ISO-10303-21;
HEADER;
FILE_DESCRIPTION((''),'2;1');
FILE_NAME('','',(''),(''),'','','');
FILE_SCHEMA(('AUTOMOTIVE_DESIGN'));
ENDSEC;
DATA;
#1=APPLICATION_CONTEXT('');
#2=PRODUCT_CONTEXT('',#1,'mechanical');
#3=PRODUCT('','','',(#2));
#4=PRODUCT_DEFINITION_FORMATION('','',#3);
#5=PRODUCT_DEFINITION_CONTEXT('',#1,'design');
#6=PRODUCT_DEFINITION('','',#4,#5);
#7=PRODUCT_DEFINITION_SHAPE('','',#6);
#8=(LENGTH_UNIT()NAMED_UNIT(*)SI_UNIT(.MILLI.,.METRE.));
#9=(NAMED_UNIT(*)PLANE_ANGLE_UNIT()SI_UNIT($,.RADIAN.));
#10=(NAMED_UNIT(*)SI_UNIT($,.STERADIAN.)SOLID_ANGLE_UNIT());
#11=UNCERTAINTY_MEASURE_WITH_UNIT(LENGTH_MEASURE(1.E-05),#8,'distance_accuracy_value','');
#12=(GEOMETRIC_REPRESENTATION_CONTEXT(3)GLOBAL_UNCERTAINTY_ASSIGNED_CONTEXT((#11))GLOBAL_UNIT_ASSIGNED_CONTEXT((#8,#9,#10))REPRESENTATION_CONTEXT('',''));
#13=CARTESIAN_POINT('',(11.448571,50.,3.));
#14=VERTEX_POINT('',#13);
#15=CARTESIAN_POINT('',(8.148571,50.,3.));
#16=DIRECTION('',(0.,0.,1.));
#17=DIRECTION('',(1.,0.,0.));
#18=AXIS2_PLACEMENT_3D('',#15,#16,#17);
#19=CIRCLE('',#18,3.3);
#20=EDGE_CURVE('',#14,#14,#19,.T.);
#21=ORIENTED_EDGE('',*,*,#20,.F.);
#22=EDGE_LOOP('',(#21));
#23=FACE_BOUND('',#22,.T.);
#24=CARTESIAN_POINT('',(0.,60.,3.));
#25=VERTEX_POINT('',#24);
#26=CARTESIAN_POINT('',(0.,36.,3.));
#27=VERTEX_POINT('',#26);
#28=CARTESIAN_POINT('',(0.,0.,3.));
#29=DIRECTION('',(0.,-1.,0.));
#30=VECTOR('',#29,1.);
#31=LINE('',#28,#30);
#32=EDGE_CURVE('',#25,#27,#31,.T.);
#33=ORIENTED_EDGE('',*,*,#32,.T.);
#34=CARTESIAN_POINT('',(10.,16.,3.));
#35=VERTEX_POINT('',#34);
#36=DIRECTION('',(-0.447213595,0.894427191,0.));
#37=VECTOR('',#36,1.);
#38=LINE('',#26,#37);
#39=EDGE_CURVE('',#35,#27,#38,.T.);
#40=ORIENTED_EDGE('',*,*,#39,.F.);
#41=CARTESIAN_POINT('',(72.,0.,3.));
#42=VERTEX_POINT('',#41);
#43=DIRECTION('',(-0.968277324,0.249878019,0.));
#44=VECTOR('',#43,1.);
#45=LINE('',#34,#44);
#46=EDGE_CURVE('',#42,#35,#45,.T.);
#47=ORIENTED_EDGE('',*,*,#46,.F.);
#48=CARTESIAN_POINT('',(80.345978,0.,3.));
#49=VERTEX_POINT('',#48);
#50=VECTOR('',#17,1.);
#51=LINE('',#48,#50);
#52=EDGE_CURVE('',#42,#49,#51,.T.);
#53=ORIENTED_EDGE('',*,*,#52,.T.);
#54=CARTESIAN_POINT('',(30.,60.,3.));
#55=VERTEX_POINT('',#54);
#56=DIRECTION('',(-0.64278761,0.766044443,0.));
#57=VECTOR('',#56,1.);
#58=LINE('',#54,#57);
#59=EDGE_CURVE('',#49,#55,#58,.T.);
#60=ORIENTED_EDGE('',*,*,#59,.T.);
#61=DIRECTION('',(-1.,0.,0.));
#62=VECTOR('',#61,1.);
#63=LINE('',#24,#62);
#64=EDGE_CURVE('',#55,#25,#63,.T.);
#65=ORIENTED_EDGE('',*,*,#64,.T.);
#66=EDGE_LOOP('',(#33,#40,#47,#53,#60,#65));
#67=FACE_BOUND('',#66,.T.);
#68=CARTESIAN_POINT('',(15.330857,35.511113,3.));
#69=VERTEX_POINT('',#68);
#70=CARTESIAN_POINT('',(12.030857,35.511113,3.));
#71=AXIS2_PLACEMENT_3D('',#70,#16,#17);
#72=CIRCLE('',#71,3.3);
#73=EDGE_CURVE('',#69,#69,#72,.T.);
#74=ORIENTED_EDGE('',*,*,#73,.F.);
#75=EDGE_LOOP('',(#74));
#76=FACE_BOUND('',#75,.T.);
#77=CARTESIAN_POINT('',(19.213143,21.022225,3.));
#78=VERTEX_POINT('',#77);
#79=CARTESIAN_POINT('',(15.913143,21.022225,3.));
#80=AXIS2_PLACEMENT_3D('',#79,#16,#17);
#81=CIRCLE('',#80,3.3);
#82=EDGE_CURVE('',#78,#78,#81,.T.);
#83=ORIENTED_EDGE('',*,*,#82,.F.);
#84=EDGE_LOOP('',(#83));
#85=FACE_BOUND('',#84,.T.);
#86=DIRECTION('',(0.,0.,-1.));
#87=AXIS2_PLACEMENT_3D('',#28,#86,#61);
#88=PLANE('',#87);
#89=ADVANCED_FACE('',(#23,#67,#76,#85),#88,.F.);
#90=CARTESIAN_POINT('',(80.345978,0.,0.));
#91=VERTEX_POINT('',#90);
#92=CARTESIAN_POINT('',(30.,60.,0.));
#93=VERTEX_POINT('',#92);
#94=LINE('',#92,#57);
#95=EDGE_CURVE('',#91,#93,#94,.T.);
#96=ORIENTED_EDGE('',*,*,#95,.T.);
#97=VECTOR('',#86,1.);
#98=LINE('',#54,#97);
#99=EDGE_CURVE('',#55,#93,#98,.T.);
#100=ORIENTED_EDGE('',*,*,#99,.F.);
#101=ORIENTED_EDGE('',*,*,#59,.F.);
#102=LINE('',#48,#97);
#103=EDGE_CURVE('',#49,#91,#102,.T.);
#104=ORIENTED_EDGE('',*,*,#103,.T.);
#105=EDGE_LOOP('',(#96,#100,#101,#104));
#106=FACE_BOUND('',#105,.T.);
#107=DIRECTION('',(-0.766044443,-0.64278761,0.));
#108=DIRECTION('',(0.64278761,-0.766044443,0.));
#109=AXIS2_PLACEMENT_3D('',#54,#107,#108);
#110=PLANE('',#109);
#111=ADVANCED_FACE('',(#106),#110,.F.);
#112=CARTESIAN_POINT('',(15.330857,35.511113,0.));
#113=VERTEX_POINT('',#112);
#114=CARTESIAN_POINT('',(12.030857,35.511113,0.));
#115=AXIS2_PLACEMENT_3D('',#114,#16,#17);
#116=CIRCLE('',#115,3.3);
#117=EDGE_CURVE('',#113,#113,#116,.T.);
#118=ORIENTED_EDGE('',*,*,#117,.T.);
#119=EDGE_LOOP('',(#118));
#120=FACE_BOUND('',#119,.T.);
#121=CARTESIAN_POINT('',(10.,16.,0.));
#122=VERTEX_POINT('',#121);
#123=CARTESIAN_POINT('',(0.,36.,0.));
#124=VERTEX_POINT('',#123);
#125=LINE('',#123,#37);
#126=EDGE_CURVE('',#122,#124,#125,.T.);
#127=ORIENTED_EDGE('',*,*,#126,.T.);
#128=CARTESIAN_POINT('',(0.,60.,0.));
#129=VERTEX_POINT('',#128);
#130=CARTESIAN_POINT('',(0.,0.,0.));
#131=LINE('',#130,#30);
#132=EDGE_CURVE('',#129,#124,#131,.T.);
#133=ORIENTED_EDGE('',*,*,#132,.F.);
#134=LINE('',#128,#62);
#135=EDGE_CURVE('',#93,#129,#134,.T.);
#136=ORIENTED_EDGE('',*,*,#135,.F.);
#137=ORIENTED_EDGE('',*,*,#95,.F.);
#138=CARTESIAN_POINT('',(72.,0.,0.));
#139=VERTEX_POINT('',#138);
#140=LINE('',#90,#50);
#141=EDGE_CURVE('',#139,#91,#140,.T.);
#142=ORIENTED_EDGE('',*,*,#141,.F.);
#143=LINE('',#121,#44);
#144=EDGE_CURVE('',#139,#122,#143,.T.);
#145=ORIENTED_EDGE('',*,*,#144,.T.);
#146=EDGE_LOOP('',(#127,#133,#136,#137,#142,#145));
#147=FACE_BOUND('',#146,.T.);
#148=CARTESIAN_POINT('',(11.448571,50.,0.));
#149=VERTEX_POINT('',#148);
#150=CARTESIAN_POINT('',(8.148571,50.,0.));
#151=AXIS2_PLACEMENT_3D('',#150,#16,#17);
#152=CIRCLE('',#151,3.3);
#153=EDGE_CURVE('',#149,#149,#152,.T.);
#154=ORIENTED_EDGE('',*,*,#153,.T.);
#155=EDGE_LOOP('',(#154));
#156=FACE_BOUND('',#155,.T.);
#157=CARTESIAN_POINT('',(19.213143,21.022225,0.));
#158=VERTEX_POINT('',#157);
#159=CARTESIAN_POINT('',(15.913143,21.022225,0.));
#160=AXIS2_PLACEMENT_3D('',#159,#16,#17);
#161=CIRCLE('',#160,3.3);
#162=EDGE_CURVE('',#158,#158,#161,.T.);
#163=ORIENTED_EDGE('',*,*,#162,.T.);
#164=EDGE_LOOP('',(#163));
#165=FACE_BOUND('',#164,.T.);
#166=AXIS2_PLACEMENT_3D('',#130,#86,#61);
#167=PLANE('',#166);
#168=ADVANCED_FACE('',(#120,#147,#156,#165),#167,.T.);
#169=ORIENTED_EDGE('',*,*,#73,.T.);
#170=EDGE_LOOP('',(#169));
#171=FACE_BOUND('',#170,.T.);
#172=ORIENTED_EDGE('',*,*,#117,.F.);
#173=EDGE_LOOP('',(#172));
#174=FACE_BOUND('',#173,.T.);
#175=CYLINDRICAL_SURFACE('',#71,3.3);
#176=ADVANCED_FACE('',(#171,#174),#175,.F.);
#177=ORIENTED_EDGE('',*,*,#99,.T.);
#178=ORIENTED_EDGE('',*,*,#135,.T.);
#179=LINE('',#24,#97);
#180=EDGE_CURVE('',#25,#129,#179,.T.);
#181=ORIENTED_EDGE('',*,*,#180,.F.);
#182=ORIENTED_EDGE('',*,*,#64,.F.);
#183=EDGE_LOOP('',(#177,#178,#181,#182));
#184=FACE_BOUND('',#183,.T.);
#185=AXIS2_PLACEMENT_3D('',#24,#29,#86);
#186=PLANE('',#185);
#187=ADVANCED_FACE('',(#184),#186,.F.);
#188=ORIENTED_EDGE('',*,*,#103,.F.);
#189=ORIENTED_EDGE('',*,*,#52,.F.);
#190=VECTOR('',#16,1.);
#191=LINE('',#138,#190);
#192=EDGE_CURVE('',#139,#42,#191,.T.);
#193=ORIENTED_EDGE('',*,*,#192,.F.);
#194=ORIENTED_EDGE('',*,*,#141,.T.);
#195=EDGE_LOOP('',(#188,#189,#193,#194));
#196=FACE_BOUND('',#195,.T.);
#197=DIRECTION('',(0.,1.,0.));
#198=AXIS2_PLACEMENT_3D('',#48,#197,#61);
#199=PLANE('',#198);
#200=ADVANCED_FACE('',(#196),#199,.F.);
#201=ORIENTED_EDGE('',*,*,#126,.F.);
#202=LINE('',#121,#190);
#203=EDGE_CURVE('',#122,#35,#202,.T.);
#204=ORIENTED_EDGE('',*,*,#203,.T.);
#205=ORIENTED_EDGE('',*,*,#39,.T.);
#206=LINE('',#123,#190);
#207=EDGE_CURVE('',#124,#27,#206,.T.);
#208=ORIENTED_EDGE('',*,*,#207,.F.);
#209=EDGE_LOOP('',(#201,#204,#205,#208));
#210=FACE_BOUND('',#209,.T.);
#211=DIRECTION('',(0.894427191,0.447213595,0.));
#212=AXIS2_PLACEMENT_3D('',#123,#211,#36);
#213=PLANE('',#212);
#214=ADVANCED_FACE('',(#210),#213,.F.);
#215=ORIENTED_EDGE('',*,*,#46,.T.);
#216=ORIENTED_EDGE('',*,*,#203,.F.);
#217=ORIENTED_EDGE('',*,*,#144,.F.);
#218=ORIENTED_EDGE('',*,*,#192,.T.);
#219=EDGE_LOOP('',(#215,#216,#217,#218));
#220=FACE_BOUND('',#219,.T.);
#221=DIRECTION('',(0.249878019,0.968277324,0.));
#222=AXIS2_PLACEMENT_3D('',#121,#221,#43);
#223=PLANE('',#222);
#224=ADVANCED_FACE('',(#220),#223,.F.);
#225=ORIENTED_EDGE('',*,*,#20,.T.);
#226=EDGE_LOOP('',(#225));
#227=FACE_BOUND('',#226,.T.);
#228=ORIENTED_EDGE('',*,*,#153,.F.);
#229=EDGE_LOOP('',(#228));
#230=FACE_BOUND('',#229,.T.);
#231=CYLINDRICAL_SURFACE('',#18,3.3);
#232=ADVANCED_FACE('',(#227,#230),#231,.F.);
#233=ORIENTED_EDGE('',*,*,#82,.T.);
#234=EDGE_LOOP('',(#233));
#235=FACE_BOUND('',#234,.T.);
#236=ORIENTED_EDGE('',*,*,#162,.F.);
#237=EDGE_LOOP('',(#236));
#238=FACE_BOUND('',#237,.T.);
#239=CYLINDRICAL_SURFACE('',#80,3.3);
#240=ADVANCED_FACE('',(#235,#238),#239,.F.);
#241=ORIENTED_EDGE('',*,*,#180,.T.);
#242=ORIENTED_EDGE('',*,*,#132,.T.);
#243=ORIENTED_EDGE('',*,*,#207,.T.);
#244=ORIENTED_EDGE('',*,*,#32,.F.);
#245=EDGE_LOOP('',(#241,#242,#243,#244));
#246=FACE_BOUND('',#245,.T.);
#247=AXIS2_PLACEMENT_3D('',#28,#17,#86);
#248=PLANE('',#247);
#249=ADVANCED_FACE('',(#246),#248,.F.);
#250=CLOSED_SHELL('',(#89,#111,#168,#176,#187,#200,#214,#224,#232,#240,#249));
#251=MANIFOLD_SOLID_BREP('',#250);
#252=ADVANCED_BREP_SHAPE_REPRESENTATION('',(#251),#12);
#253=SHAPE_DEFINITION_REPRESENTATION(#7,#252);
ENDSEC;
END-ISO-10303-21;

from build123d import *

# Parameters (mm, degrees)
RESSALTO_EXTRUS_O1_DEPTH = 3
FURO_COM_FOLGA_DE_M61_D  = 6.6
CORTE_EXTRUS_O1_DEPTH    = 101.321862822


with BuildPart() as part:
    # Esboço1 → Ressalto-extrusão1 (new body)
    with BuildSketch(Plane.XY):
        Polygon((0, 0), (0, 60), (30, 60), (80.345977871, 0), align=None)
    extrude(amount=RESSALTO_EXTRUS_O1_DEPTH)

    # Furo com folga de M61 (through all)
    with Locations(Plane.XY.offset(3)):
        with Locations((15.913142528, 21.022225211), (12.030856852, 35.511112606), (8.148571175, 50)):
            Hole(FURO_COM_FOLGA_DE_M61_D / 2)

    # Esboço4 → Corte-extrusão1 (cut, through all)
    with BuildSketch(Plane.XY.offset(3)):
        Polygon((0, 36), (10, 16), (72, 0), (0, 0), align=None)
    extrude(amount=-CORTE_EXTRUS_O1_DEPTH, mode=Mode.SUBTRACT)


solid = part.part
